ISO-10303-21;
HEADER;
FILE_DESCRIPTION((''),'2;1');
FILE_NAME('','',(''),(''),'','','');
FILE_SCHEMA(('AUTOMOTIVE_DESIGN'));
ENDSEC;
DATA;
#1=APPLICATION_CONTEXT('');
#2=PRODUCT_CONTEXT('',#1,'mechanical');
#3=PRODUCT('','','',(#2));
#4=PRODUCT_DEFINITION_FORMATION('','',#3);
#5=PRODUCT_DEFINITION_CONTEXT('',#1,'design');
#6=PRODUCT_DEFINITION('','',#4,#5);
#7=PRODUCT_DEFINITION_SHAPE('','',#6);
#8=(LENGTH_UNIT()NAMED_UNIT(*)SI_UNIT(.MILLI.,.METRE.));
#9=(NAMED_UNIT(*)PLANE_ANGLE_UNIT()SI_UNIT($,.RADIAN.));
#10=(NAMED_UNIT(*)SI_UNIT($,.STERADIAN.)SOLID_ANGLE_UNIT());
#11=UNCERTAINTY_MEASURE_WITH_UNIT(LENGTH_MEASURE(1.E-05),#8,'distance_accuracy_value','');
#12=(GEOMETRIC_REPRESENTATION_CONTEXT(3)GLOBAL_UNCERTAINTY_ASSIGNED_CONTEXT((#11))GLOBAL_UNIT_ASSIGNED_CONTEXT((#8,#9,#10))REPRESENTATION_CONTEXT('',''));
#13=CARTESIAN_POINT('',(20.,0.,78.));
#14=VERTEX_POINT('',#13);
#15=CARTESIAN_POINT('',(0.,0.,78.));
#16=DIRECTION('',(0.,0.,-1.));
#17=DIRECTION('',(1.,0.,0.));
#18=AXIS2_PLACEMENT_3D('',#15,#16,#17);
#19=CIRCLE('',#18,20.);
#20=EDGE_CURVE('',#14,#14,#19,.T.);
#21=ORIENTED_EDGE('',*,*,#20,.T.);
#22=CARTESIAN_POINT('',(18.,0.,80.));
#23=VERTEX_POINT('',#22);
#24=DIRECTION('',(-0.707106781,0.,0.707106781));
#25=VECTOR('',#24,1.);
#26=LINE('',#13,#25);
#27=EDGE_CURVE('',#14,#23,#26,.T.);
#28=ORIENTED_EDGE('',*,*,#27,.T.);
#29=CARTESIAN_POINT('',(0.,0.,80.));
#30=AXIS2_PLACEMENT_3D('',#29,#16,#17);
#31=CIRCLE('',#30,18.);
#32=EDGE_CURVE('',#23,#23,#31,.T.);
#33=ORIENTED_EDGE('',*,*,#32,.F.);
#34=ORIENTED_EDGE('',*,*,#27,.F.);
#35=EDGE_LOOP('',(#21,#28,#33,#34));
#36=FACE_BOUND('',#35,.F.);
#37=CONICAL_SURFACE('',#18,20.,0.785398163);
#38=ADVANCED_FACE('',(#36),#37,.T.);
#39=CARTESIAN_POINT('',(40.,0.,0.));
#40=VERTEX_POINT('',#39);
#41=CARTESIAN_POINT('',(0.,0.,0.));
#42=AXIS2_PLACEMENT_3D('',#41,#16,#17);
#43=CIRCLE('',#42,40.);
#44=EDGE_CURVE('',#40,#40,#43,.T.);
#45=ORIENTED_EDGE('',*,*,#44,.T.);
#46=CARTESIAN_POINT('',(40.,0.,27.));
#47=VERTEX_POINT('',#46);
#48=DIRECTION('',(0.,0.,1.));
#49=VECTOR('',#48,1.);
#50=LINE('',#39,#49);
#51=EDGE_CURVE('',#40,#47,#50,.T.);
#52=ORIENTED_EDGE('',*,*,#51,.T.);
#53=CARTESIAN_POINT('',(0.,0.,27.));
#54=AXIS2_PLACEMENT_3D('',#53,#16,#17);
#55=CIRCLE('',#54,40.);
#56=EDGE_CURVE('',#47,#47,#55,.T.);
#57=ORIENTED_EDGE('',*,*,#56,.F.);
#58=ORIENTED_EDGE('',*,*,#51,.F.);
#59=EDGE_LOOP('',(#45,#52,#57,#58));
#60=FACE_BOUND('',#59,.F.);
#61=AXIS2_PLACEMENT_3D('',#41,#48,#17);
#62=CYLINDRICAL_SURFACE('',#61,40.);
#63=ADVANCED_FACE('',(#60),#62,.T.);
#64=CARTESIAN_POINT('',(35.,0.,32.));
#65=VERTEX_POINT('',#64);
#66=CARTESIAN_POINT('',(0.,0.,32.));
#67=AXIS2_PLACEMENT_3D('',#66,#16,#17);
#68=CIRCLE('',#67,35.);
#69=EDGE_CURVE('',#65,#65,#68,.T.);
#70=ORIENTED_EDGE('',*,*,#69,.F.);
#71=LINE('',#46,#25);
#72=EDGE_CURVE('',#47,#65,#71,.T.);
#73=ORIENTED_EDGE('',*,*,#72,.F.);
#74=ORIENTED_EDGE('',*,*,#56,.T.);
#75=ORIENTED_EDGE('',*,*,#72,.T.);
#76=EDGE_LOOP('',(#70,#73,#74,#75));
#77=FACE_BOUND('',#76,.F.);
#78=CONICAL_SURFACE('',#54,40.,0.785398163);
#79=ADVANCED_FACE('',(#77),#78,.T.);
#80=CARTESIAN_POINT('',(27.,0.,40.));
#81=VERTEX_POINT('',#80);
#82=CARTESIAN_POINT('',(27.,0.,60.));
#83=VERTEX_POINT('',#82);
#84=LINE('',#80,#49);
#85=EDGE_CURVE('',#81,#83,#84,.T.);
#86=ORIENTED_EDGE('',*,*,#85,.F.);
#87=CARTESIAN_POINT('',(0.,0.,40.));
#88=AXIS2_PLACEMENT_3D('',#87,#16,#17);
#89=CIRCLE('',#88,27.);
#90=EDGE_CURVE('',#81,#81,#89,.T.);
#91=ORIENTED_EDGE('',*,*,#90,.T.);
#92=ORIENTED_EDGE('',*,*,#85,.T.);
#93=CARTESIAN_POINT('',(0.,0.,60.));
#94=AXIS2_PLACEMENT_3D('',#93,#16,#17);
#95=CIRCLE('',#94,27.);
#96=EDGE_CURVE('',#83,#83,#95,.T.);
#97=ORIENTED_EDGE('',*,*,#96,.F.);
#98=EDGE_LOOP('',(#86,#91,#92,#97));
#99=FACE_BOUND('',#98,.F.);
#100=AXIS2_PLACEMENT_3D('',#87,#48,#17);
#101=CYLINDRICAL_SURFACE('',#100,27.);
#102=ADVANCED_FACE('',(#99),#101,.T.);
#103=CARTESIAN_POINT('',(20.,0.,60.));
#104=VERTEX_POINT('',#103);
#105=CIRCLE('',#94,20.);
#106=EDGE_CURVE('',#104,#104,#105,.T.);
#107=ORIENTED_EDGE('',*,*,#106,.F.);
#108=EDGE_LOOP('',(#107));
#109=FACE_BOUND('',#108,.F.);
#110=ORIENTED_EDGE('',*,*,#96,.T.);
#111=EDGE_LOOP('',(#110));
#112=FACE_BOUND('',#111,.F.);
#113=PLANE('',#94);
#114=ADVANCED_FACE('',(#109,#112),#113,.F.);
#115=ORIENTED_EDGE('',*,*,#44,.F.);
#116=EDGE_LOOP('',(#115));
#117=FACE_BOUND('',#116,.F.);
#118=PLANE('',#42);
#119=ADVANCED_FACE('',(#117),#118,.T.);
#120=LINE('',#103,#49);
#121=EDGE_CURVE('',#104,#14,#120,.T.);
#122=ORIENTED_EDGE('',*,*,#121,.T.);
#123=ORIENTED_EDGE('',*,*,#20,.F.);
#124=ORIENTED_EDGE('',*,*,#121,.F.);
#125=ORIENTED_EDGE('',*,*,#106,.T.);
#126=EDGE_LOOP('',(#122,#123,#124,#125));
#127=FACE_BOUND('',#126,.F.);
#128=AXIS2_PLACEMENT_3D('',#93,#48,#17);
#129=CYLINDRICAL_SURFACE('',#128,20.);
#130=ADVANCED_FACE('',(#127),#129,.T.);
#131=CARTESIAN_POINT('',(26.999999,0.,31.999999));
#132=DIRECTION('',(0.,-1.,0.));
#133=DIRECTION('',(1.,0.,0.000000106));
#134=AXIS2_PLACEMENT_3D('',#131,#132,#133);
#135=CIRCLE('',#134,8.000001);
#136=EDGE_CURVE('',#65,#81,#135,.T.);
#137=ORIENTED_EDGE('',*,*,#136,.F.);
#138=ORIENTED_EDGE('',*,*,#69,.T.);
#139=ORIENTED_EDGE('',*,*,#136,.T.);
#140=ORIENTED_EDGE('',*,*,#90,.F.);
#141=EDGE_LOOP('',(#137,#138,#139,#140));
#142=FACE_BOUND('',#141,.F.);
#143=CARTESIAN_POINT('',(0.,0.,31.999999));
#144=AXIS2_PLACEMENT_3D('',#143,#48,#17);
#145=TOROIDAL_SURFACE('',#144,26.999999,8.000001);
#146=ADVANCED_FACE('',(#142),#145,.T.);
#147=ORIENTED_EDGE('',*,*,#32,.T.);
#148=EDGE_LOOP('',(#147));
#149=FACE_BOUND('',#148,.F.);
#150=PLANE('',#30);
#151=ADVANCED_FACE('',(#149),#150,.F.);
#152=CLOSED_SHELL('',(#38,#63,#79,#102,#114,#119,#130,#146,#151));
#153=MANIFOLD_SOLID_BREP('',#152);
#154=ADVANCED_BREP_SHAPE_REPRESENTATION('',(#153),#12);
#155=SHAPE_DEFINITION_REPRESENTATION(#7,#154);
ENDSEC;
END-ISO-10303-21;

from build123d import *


with BuildPart() as f1:
    # F0 (on Front) → F1 (revolve)
    with BuildSketch(Plane.XZ):
        with BuildLine():
            Line((0, 80), (0, 0))
            Line((0, 0), (40, 0))
            Line((40, 0), (40, 27))
            Line((40, 27), (35, 32))
            ThreePointArc((35, 32), (32.656854, 37.656854), (27, 40))
            Line((27, 40), (27, 60))
            Line((27, 60), (20, 60))
            Line((20, 60), (20, 78))
            Line((20, 78), (18, 80))
            Line((18, 80), (0, 80))
        make_face()
    revolve(axis=Axis((0, 0, 40), (0, 0, -1)))


solid = f1.part
